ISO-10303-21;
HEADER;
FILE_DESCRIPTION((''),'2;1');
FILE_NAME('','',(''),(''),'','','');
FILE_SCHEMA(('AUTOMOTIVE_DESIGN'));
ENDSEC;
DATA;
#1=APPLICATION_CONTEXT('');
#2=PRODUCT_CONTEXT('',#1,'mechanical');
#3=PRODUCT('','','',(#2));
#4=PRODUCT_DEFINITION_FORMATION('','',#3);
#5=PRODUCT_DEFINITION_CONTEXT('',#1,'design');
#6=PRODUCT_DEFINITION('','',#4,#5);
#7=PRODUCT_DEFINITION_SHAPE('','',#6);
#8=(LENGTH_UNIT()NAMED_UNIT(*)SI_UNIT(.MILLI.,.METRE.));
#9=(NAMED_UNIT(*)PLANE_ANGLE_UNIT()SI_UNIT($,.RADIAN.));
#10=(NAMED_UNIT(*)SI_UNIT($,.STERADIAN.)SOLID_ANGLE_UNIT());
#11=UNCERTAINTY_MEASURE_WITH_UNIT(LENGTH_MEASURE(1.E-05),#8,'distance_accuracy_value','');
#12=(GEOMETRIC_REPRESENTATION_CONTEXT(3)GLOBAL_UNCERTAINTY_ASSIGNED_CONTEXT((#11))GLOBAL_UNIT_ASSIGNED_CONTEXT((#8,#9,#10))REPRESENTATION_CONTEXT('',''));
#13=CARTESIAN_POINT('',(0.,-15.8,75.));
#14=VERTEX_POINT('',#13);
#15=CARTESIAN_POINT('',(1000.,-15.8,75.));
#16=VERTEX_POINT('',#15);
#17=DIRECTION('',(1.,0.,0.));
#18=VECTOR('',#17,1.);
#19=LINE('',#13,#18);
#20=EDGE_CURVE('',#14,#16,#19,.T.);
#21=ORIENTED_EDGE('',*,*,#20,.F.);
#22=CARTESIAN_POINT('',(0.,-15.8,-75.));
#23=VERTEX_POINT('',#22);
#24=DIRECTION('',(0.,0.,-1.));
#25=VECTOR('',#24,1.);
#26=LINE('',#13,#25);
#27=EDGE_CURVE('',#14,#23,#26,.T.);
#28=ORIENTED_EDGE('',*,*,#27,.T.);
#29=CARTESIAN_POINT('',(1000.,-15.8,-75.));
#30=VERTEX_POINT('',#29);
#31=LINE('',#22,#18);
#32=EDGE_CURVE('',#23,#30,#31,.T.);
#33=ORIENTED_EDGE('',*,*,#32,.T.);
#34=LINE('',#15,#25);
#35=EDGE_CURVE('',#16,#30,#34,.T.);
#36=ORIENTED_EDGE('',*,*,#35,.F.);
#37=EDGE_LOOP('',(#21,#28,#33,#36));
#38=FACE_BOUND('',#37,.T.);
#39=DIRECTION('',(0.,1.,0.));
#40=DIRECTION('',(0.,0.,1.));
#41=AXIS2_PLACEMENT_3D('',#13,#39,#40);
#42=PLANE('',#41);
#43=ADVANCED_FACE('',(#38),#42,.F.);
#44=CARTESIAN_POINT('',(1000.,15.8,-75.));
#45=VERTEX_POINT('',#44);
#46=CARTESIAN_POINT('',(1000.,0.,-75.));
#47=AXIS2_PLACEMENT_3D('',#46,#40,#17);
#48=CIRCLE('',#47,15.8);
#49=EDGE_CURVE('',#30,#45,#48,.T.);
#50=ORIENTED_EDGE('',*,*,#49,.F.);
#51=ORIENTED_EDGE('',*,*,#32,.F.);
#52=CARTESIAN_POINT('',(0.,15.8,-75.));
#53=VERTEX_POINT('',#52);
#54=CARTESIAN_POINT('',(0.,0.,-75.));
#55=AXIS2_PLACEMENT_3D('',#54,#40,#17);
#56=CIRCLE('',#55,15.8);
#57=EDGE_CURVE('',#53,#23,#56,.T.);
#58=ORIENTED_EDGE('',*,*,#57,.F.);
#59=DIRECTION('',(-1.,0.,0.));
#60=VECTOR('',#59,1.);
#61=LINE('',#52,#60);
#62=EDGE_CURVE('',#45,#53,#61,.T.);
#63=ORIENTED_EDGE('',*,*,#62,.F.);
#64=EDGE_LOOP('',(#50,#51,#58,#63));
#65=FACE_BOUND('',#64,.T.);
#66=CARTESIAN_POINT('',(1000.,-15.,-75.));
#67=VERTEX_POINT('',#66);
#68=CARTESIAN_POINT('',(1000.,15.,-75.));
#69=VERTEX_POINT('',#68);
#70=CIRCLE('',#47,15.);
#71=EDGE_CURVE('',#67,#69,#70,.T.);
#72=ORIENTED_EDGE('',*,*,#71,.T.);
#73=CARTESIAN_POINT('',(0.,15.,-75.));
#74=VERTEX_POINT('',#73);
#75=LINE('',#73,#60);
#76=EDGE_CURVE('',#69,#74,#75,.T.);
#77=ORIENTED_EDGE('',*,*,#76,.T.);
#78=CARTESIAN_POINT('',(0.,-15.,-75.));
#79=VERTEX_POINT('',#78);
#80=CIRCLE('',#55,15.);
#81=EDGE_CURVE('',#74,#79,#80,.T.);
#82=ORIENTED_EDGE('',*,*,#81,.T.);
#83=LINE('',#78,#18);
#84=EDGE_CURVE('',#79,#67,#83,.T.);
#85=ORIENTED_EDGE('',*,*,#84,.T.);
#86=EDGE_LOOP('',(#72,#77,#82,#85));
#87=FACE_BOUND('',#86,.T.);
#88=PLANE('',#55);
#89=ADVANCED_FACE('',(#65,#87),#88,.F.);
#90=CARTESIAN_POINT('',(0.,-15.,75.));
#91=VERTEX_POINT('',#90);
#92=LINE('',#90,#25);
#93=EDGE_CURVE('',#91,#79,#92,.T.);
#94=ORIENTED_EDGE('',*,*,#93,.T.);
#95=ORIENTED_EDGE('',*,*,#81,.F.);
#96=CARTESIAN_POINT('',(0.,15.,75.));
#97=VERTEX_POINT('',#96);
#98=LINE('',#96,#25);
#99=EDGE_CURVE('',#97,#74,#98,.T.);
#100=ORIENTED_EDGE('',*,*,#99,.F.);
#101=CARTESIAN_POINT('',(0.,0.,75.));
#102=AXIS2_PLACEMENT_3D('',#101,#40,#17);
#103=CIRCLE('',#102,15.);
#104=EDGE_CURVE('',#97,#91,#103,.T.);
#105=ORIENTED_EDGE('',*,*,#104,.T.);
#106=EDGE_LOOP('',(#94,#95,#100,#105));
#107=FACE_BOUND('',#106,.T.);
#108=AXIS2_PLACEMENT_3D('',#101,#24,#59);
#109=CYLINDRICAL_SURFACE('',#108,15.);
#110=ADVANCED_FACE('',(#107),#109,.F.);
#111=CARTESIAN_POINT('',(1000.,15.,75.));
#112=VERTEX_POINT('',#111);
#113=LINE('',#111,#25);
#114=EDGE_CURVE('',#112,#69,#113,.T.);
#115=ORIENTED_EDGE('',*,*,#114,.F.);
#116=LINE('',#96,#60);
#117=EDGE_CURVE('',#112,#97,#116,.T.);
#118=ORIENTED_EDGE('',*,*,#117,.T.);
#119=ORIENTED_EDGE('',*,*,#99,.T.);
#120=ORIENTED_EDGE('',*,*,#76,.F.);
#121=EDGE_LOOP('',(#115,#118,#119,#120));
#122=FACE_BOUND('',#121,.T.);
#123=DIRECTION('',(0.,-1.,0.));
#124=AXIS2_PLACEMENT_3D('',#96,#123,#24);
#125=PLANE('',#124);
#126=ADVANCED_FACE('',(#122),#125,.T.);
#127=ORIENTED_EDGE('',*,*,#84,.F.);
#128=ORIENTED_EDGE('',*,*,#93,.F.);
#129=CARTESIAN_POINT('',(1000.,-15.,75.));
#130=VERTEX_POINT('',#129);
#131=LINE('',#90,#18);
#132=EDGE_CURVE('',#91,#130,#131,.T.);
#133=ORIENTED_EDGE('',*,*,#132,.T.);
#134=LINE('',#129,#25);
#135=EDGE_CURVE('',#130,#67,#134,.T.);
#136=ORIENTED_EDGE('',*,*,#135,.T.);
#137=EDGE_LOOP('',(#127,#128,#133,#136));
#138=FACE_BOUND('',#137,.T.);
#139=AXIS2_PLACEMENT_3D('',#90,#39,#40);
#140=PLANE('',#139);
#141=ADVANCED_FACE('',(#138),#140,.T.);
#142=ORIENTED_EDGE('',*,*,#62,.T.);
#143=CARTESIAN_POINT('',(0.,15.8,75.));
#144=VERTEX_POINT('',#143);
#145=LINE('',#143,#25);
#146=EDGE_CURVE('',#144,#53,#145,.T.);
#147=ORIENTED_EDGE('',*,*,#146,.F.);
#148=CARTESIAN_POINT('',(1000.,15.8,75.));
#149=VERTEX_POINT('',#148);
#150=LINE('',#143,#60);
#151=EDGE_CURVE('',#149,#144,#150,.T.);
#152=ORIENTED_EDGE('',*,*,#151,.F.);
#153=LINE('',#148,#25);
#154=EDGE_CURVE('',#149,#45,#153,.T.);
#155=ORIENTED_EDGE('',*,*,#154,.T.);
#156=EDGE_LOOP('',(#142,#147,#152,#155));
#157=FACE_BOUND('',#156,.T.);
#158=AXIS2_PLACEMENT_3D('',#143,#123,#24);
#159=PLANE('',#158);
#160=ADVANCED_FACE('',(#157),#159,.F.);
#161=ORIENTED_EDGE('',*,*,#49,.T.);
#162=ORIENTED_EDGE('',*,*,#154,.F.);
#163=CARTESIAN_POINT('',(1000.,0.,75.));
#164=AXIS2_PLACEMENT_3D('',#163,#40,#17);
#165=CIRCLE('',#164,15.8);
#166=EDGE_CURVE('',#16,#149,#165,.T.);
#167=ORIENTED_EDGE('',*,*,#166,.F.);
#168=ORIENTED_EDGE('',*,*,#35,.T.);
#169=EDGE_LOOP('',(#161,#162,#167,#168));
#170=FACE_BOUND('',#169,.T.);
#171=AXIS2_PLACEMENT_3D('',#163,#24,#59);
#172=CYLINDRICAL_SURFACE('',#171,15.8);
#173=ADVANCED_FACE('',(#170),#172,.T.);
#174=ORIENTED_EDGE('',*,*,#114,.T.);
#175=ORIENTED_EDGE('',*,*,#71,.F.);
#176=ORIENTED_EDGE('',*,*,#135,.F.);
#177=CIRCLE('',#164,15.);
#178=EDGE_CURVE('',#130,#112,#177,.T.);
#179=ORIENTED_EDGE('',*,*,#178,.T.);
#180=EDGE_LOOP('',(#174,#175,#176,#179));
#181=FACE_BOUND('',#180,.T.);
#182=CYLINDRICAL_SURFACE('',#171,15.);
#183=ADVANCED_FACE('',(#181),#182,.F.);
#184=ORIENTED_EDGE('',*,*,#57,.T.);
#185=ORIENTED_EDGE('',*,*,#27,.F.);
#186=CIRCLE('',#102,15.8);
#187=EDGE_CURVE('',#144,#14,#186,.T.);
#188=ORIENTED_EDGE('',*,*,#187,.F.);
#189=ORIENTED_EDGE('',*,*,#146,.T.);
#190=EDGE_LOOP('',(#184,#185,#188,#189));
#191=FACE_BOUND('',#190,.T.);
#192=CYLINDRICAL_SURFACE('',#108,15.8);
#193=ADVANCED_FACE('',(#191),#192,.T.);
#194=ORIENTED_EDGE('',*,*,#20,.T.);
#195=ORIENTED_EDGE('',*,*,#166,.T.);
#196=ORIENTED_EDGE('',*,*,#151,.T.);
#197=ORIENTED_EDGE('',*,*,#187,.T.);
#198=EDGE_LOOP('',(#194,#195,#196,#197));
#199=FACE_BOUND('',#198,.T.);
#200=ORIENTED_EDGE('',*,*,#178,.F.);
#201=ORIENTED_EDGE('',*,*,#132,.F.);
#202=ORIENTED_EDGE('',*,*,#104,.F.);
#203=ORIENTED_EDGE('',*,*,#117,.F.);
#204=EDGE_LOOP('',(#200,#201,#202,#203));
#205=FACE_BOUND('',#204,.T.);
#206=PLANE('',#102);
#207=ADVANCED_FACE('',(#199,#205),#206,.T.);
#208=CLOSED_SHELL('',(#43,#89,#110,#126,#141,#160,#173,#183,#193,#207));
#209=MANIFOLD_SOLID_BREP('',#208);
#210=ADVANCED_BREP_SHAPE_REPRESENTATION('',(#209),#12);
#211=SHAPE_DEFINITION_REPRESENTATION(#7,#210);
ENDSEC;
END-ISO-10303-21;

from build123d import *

# Parameters (mm, degrees)
BOSS_EXTRUDE1_DEPTH = 75


with BuildPart() as part:
    # Sketch1 → Boss-Extrude1 (new, symmetric)
    with BuildSketch(Plane.XY):
        with BuildLine():
            Line((0, 15.8), (1000, 15.8))
            ThreePointArc((1000, 15.8), (1015.8, 0), (1000, -15.8))
            Line((1000, -15.8), (0, -15.8))
            ThreePointArc((0, -15.8), (-15.8, 0), (0, 15.8))
        make_face()
        with BuildLine():
            Line((0, 15), (1000, 15))
            ThreePointArc((1000, 15), (1015, 0), (1000, -15))
            Line((1000, -15), (0, -15))
            ThreePointArc((0, -15), (-15, 0), (0, 15))
        make_face(mode=Mode.SUBTRACT)
    extrude(amount=BOSS_EXTRUDE1_DEPTH, both=True)


solid = part.part
